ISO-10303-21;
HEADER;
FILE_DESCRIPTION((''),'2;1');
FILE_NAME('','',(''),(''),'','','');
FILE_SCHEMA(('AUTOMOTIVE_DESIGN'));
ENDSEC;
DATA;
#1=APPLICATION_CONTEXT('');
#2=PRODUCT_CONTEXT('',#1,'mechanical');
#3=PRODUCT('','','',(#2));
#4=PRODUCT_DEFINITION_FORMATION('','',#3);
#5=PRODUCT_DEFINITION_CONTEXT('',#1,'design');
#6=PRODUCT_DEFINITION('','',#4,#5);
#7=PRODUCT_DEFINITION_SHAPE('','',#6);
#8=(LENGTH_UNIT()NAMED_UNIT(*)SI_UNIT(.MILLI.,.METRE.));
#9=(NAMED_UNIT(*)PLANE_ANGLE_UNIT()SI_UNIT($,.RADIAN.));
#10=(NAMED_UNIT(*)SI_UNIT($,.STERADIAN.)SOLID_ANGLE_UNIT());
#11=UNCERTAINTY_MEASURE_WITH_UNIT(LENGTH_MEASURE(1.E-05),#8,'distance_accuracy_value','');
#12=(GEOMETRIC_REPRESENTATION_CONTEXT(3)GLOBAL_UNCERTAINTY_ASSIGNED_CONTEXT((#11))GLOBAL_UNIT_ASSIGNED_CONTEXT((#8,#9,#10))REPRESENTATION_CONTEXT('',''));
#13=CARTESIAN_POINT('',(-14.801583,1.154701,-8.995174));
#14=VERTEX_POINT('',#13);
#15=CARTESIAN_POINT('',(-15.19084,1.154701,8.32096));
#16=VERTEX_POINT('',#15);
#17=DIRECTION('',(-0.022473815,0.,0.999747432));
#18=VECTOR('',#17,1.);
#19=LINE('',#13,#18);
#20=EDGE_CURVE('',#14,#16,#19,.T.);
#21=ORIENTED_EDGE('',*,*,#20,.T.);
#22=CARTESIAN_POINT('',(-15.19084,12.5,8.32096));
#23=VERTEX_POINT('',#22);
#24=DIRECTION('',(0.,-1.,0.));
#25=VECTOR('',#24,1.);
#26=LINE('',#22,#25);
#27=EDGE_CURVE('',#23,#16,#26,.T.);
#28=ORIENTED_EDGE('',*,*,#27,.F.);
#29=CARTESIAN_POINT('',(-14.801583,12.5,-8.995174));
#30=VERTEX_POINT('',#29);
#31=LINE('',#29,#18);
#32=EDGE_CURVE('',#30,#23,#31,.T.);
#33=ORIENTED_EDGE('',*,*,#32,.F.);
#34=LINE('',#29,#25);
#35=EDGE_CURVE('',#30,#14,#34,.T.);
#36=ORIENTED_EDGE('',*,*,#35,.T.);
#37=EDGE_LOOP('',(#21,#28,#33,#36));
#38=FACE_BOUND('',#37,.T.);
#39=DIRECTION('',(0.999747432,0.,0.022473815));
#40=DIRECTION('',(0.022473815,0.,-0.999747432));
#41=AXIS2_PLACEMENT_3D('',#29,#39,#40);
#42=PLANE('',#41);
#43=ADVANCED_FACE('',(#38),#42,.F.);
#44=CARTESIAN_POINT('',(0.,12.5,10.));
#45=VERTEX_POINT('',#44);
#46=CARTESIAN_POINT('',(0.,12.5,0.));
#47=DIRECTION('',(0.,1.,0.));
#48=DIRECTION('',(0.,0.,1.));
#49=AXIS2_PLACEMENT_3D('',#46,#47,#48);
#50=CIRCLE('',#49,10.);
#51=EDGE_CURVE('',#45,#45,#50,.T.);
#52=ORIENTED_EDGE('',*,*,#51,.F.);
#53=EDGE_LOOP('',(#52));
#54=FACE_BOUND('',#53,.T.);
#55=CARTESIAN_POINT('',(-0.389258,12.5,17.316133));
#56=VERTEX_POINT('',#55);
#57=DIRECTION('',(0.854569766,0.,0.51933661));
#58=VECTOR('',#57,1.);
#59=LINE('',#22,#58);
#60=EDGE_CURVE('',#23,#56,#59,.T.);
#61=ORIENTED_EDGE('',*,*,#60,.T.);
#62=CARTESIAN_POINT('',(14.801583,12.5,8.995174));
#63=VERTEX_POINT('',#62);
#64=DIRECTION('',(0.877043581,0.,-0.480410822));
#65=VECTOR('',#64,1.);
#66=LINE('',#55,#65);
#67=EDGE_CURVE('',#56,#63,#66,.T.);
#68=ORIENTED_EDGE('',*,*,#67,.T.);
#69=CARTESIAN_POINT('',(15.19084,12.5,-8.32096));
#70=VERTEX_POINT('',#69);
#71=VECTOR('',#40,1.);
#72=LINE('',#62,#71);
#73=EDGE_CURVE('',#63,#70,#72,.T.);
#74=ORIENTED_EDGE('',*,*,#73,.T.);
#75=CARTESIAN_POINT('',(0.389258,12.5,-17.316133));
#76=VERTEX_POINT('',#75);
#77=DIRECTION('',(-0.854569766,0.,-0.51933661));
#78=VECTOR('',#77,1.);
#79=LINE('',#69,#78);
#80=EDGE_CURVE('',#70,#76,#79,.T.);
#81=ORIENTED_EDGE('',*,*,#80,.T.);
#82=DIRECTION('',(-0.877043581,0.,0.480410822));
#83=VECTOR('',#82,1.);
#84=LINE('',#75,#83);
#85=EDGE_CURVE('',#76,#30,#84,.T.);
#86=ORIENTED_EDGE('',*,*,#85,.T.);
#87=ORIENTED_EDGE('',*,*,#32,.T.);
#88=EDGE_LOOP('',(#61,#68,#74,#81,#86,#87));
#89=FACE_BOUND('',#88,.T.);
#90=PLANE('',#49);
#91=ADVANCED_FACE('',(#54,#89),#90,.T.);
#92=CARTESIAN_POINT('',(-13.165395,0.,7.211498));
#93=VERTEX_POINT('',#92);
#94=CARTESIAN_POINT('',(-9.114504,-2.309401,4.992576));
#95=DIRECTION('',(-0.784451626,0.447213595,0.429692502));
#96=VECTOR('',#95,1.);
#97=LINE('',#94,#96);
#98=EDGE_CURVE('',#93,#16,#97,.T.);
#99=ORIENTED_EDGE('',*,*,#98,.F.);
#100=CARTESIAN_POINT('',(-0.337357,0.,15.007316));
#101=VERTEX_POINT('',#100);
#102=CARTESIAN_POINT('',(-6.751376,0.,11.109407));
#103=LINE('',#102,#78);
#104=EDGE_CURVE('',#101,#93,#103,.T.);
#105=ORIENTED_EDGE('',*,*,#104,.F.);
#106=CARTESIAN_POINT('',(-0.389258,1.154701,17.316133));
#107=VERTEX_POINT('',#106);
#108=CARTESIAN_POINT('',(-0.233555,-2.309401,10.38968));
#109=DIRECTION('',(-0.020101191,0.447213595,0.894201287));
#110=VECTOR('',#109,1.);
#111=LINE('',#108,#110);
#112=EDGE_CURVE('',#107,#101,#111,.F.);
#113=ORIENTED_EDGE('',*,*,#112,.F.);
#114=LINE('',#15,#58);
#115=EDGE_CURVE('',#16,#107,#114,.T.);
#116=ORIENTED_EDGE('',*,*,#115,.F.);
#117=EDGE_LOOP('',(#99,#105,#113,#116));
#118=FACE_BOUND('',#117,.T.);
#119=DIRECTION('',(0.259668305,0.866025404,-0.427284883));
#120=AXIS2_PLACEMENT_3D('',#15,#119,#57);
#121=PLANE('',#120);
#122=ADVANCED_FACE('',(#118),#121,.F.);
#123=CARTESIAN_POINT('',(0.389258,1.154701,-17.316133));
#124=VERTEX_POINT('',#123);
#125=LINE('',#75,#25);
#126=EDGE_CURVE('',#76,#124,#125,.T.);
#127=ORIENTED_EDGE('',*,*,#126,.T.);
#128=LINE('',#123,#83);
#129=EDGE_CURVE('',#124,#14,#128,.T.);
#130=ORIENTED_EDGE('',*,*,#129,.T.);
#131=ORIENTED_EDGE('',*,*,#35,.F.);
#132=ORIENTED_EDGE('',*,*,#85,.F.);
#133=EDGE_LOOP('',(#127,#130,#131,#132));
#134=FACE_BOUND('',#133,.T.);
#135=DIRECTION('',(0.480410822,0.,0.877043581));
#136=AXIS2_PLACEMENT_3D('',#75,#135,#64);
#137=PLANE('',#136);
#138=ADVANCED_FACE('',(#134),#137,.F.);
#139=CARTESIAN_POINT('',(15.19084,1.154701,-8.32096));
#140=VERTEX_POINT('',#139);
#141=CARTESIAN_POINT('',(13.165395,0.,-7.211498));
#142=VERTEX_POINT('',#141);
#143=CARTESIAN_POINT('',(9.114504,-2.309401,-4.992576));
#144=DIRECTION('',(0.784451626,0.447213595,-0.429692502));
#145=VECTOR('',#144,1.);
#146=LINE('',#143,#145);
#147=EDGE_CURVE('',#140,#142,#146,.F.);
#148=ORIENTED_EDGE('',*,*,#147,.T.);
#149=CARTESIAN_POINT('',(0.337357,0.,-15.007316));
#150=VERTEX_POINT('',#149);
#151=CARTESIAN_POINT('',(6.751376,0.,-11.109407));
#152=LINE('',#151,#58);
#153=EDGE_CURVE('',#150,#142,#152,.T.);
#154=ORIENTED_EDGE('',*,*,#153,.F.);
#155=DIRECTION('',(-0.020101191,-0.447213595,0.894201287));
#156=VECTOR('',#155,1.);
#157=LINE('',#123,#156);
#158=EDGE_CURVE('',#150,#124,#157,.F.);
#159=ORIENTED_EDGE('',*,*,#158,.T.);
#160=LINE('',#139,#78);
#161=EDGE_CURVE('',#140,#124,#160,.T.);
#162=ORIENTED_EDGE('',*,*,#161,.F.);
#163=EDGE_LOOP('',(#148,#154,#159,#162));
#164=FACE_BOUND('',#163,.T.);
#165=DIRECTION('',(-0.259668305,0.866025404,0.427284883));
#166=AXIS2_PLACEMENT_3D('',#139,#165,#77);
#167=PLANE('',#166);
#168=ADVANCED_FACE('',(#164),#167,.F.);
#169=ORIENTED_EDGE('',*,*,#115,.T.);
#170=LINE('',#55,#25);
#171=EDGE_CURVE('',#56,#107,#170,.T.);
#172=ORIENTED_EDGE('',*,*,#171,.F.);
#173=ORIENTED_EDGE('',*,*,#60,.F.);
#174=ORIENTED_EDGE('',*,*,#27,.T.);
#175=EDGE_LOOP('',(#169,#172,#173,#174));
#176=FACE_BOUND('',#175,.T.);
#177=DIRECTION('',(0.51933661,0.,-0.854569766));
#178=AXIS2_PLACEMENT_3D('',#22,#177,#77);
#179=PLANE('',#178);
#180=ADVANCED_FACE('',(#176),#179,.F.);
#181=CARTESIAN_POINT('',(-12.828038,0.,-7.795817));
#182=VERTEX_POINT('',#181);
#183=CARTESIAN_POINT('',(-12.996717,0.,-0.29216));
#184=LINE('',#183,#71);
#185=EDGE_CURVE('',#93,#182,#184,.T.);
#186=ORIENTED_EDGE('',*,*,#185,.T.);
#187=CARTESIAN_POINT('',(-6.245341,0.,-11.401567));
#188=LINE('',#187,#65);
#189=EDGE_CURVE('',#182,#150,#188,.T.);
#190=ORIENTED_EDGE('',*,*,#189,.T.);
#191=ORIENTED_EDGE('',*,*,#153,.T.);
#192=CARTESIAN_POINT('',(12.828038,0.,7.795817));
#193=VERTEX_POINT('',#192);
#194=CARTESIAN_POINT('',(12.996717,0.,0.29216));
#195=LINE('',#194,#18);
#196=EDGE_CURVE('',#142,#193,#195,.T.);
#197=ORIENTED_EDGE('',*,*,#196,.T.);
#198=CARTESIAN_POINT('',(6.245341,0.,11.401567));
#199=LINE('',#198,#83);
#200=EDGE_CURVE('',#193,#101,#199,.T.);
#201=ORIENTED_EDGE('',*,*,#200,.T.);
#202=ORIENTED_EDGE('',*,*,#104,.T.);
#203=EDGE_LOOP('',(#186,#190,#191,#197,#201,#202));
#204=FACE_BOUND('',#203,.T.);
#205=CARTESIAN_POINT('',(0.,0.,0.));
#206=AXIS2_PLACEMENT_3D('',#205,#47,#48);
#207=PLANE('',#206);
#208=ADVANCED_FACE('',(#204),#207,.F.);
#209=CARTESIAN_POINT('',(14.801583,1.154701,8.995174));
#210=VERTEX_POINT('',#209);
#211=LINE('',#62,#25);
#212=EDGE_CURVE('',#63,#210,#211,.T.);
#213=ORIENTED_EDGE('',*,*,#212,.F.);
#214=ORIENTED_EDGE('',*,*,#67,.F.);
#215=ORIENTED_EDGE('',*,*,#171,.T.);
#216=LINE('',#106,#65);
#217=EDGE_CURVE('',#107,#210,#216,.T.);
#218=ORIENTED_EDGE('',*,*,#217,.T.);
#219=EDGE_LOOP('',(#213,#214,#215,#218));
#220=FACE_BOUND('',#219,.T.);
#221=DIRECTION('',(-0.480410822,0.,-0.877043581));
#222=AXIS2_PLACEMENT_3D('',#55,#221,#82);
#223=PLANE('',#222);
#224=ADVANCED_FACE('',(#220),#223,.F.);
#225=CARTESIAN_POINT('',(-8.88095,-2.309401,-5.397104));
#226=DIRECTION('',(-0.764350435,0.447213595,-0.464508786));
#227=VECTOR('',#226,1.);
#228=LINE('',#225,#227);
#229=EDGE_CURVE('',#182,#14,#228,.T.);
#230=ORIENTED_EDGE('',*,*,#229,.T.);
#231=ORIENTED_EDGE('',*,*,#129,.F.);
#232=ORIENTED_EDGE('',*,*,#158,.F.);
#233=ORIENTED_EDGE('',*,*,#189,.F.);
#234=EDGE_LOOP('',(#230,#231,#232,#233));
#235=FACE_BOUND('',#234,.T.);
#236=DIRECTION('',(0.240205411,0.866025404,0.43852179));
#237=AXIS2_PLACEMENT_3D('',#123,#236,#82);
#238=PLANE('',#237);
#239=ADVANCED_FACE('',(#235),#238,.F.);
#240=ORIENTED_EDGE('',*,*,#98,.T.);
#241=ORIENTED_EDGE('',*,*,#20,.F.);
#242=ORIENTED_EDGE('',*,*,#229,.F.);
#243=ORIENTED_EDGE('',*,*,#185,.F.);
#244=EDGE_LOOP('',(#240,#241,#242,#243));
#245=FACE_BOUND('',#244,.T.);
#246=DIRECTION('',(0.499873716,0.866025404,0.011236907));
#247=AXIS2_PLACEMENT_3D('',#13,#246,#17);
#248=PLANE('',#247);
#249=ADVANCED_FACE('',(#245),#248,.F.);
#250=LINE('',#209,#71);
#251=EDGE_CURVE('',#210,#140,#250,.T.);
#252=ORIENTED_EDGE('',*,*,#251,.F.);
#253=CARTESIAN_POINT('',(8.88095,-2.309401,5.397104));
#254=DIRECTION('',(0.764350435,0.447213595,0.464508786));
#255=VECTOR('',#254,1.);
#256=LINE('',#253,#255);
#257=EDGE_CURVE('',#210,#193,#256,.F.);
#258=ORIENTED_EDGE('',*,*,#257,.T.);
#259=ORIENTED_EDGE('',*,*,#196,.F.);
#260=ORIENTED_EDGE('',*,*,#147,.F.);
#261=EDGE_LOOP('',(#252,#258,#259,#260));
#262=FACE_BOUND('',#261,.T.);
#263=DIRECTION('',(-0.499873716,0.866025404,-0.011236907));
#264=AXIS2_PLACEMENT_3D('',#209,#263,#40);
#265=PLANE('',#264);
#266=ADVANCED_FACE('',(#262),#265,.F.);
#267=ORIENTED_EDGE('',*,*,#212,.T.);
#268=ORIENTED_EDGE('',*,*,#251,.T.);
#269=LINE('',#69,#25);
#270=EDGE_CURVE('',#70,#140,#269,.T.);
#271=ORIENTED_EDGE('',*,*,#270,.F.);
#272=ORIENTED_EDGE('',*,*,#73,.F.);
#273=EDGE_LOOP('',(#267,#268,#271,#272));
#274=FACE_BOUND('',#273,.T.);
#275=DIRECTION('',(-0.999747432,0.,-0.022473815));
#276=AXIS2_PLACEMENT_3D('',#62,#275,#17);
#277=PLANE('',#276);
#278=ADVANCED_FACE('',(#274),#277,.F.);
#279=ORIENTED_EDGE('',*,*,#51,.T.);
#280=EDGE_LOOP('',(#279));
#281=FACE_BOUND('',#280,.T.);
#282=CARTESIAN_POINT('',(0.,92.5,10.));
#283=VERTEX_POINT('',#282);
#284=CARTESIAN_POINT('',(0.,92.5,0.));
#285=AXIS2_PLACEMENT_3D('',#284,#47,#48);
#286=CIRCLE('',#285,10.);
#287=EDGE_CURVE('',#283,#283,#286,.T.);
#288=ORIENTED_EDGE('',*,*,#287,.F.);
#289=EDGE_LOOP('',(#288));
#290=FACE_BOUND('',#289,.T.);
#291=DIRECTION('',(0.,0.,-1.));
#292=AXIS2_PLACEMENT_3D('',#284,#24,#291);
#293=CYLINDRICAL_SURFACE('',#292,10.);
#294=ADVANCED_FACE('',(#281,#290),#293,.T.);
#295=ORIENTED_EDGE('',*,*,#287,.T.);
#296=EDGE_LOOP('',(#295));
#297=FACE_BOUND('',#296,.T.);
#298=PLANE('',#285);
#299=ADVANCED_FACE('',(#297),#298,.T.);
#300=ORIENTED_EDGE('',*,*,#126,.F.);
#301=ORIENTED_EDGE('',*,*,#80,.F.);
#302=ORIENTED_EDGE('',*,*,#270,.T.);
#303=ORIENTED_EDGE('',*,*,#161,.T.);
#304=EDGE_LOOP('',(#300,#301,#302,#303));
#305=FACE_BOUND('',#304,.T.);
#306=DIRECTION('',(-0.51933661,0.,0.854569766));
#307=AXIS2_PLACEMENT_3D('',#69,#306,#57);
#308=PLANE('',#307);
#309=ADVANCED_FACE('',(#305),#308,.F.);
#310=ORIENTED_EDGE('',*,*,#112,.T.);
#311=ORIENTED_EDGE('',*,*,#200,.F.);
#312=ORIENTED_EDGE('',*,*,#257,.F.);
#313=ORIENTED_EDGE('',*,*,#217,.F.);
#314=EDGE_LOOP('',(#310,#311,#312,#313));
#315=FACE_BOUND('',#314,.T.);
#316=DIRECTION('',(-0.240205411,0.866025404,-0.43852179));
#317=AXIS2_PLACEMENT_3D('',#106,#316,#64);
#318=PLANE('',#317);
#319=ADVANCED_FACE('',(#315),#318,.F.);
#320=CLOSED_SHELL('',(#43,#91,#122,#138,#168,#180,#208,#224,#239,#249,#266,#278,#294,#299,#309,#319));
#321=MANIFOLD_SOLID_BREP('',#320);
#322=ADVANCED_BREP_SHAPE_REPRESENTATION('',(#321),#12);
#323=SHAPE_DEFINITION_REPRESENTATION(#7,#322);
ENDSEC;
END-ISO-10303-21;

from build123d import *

# Parameters (mm, degrees)
EXTRUDE_1_DEPTH = 12.5
SKETCH_2_R      = 10
EXTRUDE_2_DEPTH = 80
CHAMFER_1_SIZE  = 2
CHAMFER_1_SIZE2 = 1.154700538


with BuildPart() as part:
    # Эскиз1 → Бобышка-Вытянуть1 (new body)
    with BuildSketch(Plane(origin=(0, 0, 0), x_dir=(1, 0, 0), z_dir=(0, 1, 0))):
        Polygon((14.801582536, -8.995173953), (15.190840422, 8.320959516), (0.389257887, 17.316133468), (-14.801582536, 8.995173953), (-15.190840422, -8.320959516), (-0.389257887, -17.316133468), align=None)
    extrude(amount=EXTRUDE_1_DEPTH)

    # Эскиз2 → Бобышка-Вытянуть2 (add)
    with BuildSketch(Plane(origin=(0, 12.5, 0), x_dir=(1, 0, 0), z_dir=(0, 1, 0))):
        Circle(SKETCH_2_R)
    extrude(amount=EXTRUDE_2_DEPTH)

    # Фаска1
    chamfer_1_edges = [part.edges().sort_by_distance(p)[0] for p in [
        (-7.790049154, 0, 12.818546492),
        (-14.996211479, 0, -0.337107218),
        (-7.206162325, 0, -13.155653711),
        (7.790049154, 0, -12.818546492),
        (14.996211479, 0, 0.337107218),
        (7.206162325, 0, 13.155653711),
    ]]
    chamfer_1_side = [part.faces().sort_by_distance(p)[0] for p in [
        (0, 0, 0),
    ]]
    chamfer(chamfer_1_edges, length=CHAMFER_1_SIZE, length2=CHAMFER_1_SIZE2, reference=chamfer_1_side[0])


solid = part.part
